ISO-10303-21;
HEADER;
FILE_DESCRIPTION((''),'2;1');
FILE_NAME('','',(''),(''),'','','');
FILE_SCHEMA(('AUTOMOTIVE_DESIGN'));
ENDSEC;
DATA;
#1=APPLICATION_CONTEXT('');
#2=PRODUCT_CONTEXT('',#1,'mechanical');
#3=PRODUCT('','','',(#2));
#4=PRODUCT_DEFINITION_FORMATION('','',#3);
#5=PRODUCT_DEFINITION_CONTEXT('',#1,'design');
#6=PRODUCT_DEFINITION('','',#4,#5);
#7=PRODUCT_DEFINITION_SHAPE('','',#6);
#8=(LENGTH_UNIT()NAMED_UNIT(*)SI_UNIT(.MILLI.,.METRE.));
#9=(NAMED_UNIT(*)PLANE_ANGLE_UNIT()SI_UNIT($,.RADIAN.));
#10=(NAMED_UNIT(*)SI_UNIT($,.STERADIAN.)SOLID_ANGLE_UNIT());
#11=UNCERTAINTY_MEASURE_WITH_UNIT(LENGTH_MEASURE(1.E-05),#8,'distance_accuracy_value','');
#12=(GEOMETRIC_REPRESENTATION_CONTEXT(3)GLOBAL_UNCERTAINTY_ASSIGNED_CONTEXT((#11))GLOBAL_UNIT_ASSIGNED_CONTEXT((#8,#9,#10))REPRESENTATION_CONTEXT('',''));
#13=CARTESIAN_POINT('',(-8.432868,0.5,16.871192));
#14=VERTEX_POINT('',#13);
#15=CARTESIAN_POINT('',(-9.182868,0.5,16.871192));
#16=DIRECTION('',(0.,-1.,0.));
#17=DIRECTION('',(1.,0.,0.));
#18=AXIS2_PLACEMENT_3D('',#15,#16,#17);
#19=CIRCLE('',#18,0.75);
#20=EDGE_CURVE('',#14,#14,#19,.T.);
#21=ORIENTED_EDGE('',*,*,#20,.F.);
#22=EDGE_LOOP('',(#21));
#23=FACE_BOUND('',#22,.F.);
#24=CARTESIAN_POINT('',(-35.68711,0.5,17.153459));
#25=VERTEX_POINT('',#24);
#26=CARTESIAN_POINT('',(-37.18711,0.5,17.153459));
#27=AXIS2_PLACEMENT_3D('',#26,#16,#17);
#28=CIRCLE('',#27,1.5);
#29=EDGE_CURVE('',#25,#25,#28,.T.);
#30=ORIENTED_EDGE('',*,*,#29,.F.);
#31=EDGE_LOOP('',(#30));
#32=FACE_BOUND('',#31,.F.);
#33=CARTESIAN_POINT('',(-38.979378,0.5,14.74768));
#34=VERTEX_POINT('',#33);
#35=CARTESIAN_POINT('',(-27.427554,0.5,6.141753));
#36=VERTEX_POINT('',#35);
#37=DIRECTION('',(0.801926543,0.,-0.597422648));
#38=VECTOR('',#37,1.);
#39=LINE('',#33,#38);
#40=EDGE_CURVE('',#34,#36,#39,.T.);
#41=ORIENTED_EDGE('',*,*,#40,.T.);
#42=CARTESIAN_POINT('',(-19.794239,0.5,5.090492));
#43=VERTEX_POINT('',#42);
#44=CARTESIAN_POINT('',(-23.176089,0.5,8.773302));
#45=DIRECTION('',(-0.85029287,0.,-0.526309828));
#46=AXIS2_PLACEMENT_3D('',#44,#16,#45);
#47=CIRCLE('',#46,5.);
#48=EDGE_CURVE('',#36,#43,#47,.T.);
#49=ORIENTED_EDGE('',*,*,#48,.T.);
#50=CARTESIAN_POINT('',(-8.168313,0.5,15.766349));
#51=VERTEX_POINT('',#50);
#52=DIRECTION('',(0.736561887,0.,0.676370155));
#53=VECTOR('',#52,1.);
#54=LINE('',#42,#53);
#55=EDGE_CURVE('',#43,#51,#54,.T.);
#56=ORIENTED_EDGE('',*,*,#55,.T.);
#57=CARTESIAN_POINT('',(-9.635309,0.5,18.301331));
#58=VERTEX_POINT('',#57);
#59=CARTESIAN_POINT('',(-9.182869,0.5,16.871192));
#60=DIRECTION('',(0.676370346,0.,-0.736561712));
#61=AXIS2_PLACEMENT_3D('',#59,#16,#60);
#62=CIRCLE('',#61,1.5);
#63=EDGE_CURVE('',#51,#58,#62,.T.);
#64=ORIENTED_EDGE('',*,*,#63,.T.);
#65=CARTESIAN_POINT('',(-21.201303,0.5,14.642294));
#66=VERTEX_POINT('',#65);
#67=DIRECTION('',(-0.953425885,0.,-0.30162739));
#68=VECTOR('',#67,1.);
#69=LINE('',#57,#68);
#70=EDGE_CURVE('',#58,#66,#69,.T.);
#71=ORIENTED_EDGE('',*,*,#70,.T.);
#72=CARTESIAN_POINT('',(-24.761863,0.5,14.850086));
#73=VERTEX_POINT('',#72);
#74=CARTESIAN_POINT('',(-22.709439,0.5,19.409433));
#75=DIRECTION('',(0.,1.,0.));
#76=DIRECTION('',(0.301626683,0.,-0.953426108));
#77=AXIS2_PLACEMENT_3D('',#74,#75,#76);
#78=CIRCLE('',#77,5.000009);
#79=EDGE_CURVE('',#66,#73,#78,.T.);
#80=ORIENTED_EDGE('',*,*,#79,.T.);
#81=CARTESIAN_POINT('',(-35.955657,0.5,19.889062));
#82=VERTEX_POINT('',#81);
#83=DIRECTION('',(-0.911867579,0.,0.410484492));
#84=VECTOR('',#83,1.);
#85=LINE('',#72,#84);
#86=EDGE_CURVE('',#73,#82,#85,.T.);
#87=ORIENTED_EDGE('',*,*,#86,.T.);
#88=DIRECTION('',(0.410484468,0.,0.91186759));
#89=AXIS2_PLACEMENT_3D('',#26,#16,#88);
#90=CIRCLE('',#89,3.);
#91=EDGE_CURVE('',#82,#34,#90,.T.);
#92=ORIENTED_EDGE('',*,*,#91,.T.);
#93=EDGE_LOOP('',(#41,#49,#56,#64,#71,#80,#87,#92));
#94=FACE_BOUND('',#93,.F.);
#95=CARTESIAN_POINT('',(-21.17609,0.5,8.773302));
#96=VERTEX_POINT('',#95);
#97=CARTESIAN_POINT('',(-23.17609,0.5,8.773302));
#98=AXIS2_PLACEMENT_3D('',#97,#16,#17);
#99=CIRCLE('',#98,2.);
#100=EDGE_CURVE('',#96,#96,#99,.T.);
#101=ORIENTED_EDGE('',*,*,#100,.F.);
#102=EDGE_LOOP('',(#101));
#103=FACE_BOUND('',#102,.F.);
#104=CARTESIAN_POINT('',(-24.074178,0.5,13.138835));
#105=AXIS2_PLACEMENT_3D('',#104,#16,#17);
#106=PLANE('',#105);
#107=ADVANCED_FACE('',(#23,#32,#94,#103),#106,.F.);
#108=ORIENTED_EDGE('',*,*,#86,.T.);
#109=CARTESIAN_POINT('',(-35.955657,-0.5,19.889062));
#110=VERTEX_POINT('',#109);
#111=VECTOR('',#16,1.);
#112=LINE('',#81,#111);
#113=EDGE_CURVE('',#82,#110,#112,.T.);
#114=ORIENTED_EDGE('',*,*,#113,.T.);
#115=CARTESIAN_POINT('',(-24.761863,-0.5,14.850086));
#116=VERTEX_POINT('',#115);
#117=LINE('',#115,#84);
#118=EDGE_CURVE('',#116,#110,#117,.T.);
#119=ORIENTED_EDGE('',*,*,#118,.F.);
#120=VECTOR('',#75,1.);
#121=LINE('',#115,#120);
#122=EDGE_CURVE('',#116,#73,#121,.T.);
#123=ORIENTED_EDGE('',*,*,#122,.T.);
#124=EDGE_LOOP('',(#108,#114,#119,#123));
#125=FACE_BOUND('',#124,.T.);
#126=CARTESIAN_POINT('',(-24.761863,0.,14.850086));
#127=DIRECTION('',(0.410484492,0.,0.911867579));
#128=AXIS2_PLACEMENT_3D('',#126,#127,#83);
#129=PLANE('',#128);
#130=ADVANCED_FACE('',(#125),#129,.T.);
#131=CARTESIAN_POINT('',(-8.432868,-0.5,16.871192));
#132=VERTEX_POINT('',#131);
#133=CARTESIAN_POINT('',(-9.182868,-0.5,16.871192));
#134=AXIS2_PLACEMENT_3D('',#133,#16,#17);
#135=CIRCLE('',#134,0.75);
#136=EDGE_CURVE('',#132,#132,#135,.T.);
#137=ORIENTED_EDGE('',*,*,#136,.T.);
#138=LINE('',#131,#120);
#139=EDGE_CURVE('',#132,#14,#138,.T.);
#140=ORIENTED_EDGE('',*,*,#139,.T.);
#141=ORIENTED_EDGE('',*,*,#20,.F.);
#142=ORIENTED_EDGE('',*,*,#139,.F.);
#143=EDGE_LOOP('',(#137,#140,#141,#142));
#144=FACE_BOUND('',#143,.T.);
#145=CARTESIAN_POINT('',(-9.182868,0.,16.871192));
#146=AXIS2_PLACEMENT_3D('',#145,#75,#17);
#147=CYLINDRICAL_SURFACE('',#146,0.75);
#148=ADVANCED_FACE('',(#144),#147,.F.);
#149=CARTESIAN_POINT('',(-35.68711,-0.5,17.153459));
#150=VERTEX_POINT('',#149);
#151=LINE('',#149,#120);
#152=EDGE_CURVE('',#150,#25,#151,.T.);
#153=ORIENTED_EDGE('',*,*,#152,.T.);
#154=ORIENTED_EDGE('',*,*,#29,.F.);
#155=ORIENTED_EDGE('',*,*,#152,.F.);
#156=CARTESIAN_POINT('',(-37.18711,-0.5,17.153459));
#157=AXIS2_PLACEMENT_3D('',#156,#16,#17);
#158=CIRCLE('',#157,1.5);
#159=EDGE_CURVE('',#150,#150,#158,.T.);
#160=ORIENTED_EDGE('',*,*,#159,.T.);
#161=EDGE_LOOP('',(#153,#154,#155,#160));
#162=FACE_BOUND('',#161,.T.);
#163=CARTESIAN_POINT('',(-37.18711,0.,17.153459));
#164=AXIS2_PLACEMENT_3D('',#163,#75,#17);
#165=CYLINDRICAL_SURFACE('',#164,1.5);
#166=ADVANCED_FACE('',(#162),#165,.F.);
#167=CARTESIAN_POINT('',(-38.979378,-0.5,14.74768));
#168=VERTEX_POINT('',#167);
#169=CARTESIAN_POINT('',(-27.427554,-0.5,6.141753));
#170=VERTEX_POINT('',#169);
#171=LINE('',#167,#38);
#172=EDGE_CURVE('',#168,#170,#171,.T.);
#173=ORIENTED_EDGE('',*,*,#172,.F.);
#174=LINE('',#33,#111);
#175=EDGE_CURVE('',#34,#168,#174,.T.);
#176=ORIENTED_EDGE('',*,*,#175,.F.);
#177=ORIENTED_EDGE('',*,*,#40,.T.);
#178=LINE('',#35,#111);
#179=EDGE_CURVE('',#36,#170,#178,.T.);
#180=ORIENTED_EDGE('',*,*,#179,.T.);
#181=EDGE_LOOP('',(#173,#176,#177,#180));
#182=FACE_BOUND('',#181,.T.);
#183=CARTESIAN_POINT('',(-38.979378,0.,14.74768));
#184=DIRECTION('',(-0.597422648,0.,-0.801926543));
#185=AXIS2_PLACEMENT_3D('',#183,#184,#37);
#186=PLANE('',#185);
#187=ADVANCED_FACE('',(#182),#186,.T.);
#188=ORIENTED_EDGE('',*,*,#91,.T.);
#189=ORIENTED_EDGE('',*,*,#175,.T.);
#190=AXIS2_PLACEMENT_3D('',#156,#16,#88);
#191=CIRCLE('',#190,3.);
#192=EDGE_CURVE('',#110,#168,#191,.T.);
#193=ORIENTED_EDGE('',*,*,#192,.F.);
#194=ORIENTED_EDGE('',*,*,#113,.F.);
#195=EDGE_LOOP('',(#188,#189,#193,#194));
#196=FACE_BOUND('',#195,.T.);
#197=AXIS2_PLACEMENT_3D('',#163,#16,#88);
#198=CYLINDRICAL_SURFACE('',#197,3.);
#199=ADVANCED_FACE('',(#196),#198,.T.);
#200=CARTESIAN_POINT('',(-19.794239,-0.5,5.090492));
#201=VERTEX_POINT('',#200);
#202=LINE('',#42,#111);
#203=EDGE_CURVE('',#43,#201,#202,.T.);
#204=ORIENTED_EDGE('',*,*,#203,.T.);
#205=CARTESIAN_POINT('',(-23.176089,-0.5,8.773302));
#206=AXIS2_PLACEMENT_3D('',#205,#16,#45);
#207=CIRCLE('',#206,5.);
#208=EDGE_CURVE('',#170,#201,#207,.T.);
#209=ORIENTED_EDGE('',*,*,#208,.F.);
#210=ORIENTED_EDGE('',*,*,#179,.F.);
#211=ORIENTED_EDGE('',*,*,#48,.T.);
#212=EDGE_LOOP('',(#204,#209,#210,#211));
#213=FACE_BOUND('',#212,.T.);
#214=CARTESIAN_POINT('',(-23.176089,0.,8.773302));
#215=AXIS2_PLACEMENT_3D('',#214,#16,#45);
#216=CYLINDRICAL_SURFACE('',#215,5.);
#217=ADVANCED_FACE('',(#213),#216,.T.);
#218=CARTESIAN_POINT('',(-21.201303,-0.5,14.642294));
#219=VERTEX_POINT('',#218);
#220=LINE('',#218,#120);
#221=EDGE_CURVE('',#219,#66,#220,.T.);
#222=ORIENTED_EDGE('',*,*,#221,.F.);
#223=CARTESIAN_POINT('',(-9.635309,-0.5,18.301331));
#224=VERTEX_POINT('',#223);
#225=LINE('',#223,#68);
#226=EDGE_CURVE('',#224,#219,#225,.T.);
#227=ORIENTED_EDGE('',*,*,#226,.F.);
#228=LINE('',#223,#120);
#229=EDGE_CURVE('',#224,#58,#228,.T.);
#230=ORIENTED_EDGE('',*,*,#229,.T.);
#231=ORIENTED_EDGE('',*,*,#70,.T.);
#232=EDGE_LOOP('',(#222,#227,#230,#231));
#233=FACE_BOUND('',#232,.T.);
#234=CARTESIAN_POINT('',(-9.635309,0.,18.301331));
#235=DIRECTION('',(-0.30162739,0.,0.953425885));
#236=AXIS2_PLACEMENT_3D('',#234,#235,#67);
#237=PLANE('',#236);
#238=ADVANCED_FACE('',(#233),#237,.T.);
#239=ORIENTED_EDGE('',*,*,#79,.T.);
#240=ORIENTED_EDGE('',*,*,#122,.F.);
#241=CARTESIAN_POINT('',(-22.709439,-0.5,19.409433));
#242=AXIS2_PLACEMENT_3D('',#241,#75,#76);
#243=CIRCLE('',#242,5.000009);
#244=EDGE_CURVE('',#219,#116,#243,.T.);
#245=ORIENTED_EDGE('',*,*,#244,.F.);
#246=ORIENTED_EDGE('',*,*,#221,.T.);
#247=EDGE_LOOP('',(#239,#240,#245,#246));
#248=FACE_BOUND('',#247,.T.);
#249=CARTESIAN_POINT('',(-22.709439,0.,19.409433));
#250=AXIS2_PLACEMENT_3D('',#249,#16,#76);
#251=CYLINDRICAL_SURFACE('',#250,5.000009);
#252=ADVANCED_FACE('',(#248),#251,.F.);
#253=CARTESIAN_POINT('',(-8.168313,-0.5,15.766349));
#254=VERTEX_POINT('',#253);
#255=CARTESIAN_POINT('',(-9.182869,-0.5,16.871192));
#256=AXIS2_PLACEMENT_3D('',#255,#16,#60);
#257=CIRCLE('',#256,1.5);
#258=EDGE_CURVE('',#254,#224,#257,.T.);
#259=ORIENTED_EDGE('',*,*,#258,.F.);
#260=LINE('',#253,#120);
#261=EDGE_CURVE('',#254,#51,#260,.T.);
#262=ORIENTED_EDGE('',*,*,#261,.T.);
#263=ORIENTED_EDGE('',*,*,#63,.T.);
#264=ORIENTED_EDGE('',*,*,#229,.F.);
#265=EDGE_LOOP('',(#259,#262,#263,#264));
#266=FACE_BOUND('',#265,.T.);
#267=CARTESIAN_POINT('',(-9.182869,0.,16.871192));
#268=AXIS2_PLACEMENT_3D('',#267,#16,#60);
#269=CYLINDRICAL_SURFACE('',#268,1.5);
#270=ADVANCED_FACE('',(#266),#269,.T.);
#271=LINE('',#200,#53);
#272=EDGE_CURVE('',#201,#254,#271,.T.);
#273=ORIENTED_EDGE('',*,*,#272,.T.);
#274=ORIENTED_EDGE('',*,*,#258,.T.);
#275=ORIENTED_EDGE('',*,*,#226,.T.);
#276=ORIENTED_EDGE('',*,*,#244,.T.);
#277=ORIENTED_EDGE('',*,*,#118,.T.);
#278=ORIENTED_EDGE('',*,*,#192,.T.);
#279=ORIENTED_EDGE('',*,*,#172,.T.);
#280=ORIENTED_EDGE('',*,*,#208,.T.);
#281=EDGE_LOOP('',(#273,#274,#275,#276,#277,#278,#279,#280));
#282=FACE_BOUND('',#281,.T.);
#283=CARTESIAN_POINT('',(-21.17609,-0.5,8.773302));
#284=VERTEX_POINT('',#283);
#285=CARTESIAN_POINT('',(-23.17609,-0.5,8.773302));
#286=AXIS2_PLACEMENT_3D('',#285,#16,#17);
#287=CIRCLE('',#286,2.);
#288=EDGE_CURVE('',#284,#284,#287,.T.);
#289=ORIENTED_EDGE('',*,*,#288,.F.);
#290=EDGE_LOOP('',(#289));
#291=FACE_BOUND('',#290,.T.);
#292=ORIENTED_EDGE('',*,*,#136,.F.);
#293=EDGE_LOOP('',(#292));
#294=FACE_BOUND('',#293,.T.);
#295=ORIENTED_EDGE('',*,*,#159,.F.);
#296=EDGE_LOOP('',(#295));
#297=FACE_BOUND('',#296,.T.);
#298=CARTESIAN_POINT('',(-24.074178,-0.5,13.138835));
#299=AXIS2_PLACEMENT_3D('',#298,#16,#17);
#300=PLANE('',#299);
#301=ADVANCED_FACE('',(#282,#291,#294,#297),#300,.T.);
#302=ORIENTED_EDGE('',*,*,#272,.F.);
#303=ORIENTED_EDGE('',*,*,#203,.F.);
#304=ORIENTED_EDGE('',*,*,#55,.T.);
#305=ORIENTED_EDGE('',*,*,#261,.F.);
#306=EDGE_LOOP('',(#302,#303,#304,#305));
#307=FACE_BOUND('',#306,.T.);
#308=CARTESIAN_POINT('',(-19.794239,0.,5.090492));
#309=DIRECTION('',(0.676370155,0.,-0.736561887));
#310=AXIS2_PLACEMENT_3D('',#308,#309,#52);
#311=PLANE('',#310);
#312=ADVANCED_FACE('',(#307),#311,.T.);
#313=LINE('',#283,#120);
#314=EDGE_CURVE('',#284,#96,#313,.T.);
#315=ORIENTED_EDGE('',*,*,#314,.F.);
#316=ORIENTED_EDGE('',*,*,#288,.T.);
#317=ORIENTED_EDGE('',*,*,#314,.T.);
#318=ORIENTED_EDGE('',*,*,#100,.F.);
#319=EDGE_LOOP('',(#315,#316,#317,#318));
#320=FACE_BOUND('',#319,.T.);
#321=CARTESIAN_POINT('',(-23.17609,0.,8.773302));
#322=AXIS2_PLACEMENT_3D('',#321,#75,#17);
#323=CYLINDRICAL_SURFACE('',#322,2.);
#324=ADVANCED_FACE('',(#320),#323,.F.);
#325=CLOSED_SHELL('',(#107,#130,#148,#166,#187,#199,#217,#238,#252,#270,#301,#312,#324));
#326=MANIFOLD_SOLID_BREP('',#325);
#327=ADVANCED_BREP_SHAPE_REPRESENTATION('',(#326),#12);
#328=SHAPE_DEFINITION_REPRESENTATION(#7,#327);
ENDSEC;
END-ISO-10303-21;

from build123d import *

# Parameters (mm, degrees)
F0_R     = 2
F0_R_2   = 1.5
F0_R_3   = 0.75
F1_DEPTH = 0.5


with BuildPart() as f1:
    # F0 (on Front) → F1 (new body, symmetric)
    with BuildSketch(Plane.XZ):
        with BuildLine():
            Line((-24.761863, 14.850086), (-35.955657, 19.889062))
            ThreePointArc((-35.955657, 19.889062), (-39.773049, 18.674288), (-38.979378, 14.74768))
            Line((-38.979378, 14.74768), (-27.427554, 6.141753))
            ThreePointArc((-27.427554, 6.141753), (-23.858251, 3.820055), (-19.794239, 5.090492))
            Line((-19.794239, 5.090492), (-8.168313, 15.766349))
            ThreePointArc((-8.168313, 15.766349), (-7.88459, 17.622506), (-9.635309, 18.301331))
            Line((-9.635309, 18.301331), (-21.201303, 14.642294))
            ThreePointArc((-21.201303, 14.642294), (-23.000741, 14.417917), (-24.761863, 14.850086))
        make_face()
        with Locations((-23.17609, 8.773302)):
            Circle(F0_R, mode=Mode.SUBTRACT)
        with Locations((-37.18711, 17.153459)):
            Circle(F0_R_2, mode=Mode.SUBTRACT)
        with Locations((-9.182868, 16.871192)):
            Circle(F0_R_3, mode=Mode.SUBTRACT)
    extrude(amount=F1_DEPTH, both=True)


solid = f1.part
